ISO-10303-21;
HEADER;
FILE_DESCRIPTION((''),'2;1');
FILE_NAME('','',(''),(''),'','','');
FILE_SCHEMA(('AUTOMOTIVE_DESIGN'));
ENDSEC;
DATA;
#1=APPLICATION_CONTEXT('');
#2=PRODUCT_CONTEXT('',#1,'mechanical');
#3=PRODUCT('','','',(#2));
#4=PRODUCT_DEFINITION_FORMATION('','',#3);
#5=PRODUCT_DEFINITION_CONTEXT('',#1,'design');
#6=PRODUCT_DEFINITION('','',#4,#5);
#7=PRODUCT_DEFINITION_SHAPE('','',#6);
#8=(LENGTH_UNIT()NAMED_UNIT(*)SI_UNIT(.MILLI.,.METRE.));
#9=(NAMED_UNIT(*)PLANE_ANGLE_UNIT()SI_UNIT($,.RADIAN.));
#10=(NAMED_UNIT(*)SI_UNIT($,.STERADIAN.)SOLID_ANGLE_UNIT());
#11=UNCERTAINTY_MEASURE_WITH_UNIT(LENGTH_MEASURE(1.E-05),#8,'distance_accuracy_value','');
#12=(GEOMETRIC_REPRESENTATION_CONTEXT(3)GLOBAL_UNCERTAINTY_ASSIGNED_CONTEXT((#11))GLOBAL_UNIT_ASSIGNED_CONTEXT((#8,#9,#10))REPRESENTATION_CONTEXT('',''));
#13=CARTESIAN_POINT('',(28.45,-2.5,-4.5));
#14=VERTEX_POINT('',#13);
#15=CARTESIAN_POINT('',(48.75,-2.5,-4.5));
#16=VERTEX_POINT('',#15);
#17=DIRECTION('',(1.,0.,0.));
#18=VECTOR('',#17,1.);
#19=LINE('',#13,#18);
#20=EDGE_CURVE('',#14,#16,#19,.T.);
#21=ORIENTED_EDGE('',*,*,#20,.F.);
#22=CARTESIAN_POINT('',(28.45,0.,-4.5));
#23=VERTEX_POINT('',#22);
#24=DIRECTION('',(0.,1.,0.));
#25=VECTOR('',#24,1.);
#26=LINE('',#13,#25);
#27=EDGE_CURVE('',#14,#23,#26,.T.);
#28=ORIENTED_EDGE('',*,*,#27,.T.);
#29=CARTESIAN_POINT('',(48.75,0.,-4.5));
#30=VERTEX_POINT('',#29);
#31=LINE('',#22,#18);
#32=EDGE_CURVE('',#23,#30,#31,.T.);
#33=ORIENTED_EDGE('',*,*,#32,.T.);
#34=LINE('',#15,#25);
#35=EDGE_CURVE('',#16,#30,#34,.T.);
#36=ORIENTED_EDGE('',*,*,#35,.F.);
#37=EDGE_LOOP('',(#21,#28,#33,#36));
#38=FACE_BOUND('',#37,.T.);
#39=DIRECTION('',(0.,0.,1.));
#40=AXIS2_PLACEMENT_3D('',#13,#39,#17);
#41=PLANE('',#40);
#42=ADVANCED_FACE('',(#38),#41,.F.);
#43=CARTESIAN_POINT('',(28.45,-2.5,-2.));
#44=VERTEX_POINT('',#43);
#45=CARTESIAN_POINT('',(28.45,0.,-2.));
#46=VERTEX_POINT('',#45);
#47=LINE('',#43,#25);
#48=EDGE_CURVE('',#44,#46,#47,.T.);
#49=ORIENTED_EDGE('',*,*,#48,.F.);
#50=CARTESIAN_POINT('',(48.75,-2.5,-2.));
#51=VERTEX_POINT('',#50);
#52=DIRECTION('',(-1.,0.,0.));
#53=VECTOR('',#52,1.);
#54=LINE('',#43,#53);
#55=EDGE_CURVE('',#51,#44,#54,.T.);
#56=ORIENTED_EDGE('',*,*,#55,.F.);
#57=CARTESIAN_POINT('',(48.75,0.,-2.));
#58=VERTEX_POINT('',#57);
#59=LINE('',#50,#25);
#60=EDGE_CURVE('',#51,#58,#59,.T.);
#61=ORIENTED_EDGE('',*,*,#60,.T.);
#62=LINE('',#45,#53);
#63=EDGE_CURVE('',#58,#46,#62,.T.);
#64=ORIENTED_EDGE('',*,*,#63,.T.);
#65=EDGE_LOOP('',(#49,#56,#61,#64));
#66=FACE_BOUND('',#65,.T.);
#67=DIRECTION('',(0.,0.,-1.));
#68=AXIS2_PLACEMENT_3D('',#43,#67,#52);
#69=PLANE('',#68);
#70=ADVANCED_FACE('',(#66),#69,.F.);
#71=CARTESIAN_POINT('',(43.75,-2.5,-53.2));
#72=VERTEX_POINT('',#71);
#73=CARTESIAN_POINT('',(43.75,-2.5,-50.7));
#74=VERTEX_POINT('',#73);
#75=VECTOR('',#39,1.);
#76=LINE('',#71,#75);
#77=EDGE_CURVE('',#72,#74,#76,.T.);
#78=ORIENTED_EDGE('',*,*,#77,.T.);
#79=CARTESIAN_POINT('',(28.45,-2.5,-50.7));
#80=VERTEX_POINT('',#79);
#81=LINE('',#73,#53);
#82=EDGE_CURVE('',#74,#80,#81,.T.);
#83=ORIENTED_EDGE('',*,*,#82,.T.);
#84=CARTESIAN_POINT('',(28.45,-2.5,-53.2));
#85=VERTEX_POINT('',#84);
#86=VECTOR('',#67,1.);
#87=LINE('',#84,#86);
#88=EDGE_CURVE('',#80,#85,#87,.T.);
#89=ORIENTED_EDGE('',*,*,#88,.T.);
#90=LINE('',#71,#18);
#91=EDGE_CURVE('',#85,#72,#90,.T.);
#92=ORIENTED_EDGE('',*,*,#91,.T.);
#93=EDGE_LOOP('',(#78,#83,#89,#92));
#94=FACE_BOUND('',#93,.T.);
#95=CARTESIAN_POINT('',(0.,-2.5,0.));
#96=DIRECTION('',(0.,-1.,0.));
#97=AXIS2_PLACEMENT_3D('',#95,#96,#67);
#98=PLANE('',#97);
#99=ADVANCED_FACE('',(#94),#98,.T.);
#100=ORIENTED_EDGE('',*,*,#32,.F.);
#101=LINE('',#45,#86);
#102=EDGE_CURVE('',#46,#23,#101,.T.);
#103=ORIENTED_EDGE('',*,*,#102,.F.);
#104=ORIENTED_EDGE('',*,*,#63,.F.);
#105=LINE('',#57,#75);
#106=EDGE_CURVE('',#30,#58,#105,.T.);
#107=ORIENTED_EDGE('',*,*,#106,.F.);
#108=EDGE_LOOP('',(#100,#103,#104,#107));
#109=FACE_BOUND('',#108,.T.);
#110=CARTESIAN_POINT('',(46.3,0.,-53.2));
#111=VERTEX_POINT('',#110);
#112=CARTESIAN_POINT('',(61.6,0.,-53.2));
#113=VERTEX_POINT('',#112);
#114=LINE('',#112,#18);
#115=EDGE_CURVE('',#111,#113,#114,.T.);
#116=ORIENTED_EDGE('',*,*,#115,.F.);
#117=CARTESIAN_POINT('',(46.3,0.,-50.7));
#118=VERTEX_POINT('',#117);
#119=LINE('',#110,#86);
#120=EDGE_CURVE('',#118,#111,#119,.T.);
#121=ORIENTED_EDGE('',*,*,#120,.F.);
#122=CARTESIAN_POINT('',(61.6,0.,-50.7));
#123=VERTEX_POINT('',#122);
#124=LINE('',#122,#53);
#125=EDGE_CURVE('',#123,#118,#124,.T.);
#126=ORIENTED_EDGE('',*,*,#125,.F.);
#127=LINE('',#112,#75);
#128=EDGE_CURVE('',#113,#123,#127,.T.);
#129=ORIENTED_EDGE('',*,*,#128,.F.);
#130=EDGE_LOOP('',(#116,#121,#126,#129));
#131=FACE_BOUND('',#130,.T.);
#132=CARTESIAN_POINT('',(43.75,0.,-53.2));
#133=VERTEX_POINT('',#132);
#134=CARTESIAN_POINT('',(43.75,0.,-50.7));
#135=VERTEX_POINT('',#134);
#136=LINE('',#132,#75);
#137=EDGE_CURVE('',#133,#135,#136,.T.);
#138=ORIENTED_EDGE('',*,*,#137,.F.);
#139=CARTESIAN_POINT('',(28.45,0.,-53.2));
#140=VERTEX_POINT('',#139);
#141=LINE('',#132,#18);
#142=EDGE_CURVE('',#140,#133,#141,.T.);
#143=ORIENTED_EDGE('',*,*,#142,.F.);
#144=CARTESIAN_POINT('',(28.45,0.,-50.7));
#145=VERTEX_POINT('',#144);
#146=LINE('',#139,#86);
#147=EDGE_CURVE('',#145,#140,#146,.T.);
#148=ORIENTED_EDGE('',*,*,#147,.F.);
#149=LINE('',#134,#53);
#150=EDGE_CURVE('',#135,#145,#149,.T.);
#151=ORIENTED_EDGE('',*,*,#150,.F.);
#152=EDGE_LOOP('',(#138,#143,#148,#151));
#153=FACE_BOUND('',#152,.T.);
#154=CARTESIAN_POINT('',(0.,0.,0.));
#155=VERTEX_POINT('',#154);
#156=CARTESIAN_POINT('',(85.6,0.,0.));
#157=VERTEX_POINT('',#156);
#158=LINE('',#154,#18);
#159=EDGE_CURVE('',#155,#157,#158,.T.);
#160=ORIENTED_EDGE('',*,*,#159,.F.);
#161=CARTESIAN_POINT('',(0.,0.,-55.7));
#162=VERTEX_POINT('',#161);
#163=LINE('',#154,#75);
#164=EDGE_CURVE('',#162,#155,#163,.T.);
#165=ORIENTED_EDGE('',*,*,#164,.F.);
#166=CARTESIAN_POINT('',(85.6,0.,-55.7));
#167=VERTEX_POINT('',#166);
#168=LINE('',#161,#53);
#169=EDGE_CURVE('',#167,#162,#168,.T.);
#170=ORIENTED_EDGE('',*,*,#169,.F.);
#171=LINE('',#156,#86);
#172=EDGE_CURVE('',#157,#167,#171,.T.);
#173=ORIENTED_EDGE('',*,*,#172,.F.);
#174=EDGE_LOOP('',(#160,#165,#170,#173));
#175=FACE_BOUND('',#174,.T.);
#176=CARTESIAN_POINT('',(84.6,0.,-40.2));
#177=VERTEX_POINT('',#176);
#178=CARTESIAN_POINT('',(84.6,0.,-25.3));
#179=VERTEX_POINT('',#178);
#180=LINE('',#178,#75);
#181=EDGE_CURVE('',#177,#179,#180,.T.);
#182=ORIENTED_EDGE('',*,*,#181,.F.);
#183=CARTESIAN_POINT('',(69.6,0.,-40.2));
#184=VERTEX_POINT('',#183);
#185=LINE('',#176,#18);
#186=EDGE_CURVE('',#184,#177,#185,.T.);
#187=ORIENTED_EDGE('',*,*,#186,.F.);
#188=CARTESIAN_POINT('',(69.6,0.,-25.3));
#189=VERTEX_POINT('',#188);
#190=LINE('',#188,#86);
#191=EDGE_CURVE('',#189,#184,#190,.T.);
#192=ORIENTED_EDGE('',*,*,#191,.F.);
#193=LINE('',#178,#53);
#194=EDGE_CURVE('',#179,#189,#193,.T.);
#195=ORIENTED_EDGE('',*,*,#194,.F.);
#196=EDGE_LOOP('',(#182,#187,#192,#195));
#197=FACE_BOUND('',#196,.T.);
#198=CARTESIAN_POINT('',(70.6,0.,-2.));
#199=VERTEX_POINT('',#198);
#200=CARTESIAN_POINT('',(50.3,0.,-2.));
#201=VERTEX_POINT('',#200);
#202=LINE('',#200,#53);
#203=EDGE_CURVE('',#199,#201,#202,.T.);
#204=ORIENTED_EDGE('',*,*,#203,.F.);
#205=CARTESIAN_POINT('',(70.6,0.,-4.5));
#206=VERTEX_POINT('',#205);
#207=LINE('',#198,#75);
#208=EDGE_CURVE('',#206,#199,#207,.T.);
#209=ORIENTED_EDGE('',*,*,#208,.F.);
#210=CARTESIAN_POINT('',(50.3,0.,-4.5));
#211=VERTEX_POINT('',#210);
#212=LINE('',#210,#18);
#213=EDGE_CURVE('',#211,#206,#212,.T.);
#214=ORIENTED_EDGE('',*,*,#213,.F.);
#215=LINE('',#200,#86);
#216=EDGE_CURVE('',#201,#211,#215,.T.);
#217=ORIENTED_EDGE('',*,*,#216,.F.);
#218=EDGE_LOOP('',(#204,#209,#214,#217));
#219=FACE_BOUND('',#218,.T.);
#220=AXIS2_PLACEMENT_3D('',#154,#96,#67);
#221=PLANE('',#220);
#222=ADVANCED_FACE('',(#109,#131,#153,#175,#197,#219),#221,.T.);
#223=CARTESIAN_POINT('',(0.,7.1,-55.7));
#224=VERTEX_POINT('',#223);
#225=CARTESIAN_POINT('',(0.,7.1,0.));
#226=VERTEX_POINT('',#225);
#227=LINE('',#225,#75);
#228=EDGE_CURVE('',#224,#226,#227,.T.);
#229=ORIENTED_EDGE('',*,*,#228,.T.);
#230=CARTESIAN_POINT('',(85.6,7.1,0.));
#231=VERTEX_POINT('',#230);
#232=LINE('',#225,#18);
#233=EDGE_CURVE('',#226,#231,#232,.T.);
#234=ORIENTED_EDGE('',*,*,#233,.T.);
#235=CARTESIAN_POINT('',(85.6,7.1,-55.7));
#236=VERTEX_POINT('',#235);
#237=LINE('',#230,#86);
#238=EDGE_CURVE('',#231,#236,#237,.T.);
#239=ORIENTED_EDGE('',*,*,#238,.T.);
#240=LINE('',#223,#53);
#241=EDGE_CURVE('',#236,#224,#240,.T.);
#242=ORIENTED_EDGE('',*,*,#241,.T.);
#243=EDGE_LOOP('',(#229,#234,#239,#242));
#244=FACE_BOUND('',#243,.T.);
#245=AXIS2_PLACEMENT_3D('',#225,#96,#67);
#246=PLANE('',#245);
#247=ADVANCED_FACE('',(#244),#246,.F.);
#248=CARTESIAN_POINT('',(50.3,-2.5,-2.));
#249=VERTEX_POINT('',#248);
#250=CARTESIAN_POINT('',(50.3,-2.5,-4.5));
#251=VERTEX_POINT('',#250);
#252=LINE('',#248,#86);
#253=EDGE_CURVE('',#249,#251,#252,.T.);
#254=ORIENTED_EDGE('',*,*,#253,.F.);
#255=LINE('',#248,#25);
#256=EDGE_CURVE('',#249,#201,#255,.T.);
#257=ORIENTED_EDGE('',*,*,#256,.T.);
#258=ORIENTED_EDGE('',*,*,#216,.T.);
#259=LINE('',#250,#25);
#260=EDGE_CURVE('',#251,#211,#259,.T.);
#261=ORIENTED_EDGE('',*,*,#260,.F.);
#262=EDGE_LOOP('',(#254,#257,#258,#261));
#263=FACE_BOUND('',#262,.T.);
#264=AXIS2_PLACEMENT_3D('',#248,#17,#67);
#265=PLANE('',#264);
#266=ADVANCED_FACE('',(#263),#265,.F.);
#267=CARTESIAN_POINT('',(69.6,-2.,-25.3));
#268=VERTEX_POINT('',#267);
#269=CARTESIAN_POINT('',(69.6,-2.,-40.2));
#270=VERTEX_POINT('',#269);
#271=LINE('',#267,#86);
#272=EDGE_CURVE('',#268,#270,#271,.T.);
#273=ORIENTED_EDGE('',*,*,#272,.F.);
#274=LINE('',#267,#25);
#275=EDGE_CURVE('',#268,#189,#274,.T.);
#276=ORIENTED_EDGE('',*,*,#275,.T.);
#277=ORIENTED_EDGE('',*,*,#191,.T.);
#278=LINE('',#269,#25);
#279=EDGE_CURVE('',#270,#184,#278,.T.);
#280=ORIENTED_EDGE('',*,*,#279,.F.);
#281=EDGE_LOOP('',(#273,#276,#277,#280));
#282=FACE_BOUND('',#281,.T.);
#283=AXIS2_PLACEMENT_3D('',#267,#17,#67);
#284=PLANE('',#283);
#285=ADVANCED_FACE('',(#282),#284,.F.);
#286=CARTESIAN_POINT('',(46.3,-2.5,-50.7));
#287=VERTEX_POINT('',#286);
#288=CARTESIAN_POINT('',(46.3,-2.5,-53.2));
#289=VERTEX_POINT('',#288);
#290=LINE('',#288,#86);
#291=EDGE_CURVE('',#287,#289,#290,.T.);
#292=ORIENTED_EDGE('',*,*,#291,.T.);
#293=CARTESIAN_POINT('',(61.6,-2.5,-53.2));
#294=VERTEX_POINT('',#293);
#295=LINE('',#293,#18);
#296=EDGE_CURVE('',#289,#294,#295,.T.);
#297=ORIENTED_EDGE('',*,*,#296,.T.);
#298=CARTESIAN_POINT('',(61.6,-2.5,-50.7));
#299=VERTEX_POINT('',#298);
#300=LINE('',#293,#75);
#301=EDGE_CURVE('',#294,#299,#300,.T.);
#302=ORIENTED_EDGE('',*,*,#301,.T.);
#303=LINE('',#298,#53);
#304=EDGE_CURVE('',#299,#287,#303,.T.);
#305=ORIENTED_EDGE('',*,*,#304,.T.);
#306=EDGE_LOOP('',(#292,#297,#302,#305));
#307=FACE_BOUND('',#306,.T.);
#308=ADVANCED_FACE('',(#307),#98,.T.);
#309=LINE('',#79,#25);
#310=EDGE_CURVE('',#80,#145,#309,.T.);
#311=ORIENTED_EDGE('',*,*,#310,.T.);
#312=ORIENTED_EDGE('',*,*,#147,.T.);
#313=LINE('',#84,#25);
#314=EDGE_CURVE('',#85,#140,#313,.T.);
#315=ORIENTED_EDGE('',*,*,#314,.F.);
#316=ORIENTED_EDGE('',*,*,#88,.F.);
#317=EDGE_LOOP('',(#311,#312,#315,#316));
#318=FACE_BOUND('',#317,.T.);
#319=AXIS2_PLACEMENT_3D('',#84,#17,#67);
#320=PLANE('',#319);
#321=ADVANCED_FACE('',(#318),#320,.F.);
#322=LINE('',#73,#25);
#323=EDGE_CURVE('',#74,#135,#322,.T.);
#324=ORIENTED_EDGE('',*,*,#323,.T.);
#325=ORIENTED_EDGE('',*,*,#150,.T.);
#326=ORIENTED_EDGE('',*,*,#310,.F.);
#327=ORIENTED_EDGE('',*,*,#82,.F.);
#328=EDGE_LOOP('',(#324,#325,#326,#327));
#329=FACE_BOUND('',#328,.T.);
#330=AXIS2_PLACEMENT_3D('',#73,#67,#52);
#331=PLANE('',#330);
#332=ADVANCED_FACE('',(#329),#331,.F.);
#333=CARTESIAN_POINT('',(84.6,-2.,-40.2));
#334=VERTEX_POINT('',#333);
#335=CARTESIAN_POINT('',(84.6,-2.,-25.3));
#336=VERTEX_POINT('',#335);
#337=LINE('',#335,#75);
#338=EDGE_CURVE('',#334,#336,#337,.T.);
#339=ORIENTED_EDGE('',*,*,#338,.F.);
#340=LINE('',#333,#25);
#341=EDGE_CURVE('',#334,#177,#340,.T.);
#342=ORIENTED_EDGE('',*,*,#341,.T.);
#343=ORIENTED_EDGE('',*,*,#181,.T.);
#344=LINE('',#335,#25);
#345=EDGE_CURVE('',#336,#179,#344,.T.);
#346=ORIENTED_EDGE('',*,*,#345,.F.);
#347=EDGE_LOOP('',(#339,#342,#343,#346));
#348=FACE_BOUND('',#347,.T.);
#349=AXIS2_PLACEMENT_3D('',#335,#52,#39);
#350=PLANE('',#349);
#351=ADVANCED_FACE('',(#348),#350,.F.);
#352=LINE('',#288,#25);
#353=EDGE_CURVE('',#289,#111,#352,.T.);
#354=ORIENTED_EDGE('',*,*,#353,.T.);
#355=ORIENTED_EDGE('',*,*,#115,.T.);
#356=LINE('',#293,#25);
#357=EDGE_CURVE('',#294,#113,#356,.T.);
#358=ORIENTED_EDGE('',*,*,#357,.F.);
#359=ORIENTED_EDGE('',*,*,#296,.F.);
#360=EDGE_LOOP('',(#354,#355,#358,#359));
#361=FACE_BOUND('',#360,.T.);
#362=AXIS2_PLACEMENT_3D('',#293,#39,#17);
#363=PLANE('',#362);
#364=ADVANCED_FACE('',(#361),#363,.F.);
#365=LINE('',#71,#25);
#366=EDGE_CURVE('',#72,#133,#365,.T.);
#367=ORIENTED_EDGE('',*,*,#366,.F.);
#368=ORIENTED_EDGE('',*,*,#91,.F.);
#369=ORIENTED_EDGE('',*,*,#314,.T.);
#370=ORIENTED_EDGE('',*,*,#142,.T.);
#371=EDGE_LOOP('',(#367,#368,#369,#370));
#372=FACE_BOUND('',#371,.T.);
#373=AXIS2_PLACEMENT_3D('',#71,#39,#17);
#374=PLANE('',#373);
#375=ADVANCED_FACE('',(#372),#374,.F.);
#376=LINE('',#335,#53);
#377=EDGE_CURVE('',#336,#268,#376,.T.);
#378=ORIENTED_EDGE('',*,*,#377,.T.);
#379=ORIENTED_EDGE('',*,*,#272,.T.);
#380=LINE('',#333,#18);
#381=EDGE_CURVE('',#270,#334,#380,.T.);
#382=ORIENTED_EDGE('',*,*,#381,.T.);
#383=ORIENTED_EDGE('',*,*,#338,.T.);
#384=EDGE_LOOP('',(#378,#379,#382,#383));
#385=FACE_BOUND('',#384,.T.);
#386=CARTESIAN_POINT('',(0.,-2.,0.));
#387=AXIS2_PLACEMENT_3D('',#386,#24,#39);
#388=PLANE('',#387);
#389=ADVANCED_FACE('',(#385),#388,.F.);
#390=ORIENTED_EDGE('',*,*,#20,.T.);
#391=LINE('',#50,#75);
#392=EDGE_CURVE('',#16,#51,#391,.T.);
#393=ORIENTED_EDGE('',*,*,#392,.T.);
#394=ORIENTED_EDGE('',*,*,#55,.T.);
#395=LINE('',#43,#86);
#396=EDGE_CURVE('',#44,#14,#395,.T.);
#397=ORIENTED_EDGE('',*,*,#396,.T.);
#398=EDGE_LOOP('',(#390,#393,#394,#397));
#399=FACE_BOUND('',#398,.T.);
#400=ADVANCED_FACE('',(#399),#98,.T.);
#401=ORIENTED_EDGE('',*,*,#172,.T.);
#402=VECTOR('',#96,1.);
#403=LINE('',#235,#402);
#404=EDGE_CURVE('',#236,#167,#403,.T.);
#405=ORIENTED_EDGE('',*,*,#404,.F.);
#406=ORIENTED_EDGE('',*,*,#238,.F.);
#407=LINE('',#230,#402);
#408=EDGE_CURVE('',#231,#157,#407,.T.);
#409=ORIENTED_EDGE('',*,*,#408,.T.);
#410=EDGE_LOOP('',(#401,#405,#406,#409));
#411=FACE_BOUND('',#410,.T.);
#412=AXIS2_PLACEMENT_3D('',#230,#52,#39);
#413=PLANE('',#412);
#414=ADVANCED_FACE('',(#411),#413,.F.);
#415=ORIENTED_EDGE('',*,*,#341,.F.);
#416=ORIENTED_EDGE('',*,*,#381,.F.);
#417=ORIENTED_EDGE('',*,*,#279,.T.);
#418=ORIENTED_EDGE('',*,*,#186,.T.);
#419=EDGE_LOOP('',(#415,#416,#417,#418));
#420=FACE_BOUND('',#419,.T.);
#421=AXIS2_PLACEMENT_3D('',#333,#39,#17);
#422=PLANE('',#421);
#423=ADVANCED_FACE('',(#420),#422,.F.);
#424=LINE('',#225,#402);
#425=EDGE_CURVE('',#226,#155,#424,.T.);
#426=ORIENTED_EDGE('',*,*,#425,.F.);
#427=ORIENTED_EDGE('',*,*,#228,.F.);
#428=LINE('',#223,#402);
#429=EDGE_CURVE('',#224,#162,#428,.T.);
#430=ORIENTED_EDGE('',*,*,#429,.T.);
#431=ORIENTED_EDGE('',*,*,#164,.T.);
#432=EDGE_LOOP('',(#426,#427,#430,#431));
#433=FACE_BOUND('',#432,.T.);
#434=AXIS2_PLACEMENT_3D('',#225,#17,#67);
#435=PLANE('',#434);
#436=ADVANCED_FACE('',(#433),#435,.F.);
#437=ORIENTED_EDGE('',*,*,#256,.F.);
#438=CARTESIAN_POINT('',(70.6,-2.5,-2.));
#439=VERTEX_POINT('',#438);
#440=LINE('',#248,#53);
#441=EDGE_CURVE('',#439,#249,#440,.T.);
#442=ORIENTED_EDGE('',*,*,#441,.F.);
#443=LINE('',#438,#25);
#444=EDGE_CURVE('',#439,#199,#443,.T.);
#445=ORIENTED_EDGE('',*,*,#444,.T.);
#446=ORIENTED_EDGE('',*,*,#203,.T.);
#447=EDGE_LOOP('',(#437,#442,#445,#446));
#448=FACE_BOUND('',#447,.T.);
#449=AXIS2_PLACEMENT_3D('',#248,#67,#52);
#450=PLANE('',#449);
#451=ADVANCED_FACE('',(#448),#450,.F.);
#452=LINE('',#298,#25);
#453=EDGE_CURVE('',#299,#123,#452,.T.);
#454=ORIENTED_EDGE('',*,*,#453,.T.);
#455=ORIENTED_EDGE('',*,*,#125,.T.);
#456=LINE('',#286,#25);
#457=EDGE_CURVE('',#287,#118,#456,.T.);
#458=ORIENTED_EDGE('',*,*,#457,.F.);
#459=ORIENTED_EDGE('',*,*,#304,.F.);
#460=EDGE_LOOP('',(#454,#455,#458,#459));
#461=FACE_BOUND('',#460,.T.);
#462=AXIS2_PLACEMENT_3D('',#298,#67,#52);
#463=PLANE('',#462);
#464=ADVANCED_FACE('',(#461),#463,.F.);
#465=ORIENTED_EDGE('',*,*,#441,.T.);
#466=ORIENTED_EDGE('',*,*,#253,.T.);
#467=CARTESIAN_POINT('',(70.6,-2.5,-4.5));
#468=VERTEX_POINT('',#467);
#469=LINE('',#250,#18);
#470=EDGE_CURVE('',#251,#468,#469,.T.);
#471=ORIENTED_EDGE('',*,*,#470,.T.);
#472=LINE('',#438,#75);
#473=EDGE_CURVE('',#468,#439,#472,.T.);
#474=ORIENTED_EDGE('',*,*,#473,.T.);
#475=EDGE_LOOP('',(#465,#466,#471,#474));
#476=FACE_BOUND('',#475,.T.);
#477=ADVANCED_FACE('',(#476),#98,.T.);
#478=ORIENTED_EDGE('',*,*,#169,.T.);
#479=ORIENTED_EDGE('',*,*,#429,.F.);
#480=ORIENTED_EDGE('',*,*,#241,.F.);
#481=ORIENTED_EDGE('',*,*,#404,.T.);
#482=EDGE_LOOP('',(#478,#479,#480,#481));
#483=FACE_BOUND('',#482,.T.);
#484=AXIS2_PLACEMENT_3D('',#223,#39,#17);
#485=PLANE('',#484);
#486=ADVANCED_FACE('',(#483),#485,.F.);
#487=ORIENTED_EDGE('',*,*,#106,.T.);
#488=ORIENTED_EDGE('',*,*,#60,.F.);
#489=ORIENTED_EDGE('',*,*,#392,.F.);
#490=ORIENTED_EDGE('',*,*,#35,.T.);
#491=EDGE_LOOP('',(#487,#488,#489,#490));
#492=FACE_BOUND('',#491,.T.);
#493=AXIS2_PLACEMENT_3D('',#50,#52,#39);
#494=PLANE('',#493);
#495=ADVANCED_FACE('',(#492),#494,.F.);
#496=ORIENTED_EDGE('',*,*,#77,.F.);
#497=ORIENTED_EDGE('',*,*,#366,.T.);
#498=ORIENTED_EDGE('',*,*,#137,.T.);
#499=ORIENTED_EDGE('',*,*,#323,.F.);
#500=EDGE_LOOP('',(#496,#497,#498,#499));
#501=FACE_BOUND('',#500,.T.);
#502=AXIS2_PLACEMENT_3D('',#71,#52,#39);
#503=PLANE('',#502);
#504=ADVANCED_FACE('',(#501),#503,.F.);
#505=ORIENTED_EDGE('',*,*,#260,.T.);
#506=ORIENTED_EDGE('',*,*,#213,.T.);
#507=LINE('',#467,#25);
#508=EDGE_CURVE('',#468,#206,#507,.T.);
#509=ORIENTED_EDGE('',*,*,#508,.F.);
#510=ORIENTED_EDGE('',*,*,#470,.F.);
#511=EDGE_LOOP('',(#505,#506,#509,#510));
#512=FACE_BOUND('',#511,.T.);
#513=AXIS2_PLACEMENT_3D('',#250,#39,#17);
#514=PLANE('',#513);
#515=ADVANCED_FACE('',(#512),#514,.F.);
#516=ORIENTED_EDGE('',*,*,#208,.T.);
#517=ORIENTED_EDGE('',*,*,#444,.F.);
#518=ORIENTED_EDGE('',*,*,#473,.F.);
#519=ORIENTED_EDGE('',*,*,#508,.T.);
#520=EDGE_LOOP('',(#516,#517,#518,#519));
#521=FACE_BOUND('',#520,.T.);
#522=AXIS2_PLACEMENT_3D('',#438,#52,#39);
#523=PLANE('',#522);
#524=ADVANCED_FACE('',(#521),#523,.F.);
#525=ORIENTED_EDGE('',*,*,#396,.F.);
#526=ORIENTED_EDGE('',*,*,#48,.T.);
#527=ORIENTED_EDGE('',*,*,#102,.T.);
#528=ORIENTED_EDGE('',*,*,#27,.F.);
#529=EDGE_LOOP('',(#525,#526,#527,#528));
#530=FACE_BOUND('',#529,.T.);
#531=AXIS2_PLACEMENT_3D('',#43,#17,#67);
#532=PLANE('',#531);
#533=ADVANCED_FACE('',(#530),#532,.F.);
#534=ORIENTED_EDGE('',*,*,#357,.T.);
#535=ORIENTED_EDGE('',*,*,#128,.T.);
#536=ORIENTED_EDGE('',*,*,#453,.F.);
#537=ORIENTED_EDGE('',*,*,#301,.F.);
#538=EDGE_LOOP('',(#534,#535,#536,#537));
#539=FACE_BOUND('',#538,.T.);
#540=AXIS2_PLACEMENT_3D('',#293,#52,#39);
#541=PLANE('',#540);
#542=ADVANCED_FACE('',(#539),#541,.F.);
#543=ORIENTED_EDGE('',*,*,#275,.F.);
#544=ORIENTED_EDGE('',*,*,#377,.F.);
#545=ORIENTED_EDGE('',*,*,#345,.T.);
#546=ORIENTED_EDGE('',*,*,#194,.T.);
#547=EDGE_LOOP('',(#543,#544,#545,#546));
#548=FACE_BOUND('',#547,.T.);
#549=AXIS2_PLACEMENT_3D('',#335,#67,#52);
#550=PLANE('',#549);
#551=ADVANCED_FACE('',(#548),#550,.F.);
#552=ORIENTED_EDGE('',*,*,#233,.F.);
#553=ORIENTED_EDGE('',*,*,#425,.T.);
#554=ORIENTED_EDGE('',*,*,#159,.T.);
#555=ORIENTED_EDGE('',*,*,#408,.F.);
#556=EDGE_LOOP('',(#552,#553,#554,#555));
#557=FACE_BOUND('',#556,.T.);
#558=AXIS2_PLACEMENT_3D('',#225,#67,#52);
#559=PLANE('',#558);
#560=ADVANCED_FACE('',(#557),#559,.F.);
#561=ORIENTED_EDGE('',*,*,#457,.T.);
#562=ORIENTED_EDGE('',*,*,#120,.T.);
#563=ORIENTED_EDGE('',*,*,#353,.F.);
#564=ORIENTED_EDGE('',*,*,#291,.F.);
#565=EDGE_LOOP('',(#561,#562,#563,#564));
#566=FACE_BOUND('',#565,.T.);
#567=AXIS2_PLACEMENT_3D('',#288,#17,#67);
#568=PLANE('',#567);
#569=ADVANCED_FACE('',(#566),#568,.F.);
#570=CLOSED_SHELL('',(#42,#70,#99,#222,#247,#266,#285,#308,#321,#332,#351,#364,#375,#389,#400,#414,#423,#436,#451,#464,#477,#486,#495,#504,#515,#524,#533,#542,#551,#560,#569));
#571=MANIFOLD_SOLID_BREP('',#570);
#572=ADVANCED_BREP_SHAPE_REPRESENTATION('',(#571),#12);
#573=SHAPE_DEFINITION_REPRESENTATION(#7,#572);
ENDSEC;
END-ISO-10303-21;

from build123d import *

# Parameters (mm, degrees)
SKETCH1_W           = 85.6
SKETCH1_H           = 55.7
BOSS_EXTRUDE1_DEPTH = 7.1
SKETCH2_W           = 20.3
SKETCH2_H           = 2.5
SKETCH2_W_2         = 15.3
BOSS_EXTRUDE2_DEPTH = 2.5
SKETCH3_W           = 15
SKETCH3_H           = 14.9
BOSS_EXTRUDE3_DEPTH = 2


with BuildPart() as part:
    # Sketch1 → Boss-Extrude1 (new body)
    with BuildSketch(Plane(origin=(0, 0, 0), x_dir=(1, 0, 0), z_dir=(0, 1, 0))):
        with Locations((42.8, 27.85)):
            Rectangle(SKETCH1_W, SKETCH1_H)
    extrude(amount=BOSS_EXTRUDE1_DEPTH)

    # Sketch2 → Boss-Extrude2 (add)
    with BuildSketch(Plane.XZ):
        with Locations((38.6, -3.25)):
            Rectangle(SKETCH2_W, SKETCH2_H)
        with Locations((60.45, -3.25)):
            Rectangle(SKETCH2_W, SKETCH2_H)
        with Locations((53.95, -51.95)):
            Rectangle(SKETCH2_W_2, SKETCH2_H)
        with Locations((36.1, -51.95)):
            Rectangle(SKETCH2_W_2, SKETCH2_H)
    extrude(amount=BOSS_EXTRUDE2_DEPTH)

    # Sketch3 → Boss-Extrude3 (add)
    with BuildSketch(Plane.XZ):
        with Locations((77.1, -32.75)):
            Rectangle(SKETCH3_W, SKETCH3_H)
    extrude(amount=BOSS_EXTRUDE3_DEPTH)


solid = part.part
